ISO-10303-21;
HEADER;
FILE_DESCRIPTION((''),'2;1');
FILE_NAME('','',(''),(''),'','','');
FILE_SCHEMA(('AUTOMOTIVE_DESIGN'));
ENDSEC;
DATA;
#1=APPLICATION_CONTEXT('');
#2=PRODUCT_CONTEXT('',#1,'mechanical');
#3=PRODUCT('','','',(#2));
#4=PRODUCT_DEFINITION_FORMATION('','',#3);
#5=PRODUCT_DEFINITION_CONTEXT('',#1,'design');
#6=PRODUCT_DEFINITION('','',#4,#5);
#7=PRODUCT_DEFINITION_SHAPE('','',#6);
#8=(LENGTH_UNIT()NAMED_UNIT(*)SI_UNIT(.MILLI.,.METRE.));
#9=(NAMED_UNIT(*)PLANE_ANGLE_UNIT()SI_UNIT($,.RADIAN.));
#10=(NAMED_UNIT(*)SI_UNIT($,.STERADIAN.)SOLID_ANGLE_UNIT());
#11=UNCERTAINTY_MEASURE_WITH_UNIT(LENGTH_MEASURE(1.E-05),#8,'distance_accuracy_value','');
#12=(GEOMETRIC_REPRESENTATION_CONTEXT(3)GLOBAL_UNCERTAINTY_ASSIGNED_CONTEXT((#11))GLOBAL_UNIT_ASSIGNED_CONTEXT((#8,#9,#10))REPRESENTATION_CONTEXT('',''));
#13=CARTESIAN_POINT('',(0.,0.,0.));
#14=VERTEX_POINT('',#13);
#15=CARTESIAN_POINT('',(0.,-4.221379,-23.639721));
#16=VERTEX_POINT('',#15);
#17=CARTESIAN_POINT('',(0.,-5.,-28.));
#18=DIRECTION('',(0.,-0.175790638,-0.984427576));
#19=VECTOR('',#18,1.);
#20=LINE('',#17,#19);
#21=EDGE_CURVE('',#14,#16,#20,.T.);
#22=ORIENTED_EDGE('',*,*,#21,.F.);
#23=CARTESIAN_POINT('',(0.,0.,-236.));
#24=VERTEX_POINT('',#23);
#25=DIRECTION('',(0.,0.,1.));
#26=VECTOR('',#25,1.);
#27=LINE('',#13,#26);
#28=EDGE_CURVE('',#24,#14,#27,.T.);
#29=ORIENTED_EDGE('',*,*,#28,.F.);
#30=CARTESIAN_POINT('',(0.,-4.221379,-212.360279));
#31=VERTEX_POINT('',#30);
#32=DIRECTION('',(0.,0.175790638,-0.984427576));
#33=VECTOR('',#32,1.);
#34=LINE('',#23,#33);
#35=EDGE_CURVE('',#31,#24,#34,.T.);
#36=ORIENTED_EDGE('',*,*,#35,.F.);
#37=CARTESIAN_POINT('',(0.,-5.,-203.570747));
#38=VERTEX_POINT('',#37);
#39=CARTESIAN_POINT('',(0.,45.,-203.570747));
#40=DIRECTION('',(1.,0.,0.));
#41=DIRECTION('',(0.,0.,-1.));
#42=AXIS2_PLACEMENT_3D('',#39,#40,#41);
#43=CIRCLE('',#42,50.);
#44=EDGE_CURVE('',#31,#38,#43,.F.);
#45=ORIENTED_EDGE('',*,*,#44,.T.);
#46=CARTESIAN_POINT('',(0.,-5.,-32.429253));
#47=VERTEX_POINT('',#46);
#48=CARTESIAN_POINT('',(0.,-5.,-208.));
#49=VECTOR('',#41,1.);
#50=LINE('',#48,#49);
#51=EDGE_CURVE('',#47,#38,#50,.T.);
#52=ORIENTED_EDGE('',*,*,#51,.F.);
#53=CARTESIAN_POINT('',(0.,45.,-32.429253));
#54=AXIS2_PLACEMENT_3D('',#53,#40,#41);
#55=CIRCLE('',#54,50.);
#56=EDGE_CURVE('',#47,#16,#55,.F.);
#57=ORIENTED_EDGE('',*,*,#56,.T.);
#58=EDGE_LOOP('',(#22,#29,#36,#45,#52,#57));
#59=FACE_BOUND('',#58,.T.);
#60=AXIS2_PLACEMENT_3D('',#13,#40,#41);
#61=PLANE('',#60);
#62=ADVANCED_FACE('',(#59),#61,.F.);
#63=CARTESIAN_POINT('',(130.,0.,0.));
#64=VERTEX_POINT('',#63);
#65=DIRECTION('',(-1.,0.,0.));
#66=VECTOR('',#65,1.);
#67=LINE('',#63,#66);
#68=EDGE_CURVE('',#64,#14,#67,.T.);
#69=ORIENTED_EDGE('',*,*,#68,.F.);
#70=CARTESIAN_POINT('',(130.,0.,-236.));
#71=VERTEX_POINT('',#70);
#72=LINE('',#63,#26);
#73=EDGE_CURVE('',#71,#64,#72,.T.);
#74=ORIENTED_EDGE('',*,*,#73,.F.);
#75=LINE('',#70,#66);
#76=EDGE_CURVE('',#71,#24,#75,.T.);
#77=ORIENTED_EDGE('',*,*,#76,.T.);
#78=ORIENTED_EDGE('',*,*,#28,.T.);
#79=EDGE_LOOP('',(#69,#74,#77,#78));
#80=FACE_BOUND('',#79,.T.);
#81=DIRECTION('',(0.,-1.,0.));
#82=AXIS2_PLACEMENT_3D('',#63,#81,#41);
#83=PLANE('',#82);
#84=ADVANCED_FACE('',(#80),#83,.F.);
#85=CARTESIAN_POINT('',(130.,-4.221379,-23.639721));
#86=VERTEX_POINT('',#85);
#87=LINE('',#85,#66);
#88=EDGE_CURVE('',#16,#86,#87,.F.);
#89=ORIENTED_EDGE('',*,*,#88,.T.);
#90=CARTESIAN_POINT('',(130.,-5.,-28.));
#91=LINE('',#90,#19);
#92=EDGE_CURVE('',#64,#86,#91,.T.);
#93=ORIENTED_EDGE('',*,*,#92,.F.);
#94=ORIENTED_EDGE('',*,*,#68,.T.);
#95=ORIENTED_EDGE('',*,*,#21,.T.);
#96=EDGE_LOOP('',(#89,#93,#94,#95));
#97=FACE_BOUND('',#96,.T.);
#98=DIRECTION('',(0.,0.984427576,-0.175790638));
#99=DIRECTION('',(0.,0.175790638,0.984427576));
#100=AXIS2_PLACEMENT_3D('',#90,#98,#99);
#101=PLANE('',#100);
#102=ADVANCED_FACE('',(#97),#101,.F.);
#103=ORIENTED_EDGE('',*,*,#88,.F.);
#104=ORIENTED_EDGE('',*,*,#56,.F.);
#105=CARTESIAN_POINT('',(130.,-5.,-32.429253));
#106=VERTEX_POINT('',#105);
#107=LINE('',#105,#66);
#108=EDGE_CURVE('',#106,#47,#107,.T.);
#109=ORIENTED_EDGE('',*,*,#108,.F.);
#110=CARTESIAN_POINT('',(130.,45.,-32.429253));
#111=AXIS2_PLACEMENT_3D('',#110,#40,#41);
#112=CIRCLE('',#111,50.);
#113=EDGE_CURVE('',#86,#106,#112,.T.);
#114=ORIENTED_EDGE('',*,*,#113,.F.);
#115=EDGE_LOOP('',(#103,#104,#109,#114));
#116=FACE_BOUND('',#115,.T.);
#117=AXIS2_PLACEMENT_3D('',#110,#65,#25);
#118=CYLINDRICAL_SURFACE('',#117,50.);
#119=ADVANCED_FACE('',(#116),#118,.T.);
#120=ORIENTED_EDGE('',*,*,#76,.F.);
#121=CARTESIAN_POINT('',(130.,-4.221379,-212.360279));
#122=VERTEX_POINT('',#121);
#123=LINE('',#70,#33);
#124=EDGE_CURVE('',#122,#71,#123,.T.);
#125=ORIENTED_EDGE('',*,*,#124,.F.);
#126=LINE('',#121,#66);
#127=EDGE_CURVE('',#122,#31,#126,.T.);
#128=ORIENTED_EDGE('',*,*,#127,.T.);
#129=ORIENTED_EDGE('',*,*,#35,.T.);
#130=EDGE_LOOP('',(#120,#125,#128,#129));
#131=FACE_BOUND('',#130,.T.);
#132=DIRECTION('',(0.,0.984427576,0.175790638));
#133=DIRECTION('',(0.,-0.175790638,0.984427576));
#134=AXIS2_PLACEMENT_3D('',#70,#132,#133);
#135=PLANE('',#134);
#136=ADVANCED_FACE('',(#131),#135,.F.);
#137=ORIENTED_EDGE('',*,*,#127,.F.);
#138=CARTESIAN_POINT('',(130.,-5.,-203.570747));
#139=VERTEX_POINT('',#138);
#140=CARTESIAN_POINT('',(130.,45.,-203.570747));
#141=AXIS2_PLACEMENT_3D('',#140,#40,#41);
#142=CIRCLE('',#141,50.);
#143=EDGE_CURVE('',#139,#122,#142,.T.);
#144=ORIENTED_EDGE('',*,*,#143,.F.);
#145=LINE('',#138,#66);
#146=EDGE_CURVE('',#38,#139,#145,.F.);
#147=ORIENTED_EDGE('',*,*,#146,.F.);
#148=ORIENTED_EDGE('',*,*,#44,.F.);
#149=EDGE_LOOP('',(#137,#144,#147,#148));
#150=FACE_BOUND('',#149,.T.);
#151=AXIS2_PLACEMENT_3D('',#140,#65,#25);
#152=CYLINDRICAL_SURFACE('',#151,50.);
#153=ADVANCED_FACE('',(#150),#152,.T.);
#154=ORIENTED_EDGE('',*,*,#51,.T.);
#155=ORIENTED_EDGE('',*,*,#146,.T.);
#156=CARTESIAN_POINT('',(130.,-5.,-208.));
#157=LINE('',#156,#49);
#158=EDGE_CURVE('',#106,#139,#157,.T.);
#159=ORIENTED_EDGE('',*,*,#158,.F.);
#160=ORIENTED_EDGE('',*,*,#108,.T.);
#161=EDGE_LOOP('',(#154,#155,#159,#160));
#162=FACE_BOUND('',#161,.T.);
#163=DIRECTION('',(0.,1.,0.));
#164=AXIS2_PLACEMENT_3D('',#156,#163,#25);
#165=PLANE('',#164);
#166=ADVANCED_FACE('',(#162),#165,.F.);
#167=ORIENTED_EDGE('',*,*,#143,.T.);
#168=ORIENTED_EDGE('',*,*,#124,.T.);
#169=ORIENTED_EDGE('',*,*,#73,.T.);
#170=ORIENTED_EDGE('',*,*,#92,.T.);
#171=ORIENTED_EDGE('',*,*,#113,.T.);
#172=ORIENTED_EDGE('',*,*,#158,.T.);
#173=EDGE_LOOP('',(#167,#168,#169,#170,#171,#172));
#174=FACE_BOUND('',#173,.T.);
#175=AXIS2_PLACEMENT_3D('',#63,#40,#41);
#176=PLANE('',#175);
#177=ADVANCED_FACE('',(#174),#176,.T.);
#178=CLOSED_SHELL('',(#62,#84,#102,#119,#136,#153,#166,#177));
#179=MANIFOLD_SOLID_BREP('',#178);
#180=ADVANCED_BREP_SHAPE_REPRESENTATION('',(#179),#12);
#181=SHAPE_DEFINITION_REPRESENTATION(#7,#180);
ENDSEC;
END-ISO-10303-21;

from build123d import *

# Parameters (mm, degrees)
BOSS_EXTRUDE1_DEPTH = 130
FILLET1_R           = 50


with BuildPart() as part:
    # Sketch1 → Boss-Extrude1 (new body)
    with BuildSketch(Plane(origin=(0, 0, 0), x_dir=(0, 0, -1), z_dir=(1, 0, 0))):
        Polygon((0, 0), (236, 0), (208, -5), (28, -5), align=None)
    extrude(amount=BOSS_EXTRUDE1_DEPTH)

    # Fillet1
    fillet1_edges = [part.edges().sort_by_distance(p)[0] for p in [
        (65, -5, -208),
        (65, -5, -28),
    ]]
    fillet(fillet1_edges, radius=FILLET1_R)


solid = part.part
